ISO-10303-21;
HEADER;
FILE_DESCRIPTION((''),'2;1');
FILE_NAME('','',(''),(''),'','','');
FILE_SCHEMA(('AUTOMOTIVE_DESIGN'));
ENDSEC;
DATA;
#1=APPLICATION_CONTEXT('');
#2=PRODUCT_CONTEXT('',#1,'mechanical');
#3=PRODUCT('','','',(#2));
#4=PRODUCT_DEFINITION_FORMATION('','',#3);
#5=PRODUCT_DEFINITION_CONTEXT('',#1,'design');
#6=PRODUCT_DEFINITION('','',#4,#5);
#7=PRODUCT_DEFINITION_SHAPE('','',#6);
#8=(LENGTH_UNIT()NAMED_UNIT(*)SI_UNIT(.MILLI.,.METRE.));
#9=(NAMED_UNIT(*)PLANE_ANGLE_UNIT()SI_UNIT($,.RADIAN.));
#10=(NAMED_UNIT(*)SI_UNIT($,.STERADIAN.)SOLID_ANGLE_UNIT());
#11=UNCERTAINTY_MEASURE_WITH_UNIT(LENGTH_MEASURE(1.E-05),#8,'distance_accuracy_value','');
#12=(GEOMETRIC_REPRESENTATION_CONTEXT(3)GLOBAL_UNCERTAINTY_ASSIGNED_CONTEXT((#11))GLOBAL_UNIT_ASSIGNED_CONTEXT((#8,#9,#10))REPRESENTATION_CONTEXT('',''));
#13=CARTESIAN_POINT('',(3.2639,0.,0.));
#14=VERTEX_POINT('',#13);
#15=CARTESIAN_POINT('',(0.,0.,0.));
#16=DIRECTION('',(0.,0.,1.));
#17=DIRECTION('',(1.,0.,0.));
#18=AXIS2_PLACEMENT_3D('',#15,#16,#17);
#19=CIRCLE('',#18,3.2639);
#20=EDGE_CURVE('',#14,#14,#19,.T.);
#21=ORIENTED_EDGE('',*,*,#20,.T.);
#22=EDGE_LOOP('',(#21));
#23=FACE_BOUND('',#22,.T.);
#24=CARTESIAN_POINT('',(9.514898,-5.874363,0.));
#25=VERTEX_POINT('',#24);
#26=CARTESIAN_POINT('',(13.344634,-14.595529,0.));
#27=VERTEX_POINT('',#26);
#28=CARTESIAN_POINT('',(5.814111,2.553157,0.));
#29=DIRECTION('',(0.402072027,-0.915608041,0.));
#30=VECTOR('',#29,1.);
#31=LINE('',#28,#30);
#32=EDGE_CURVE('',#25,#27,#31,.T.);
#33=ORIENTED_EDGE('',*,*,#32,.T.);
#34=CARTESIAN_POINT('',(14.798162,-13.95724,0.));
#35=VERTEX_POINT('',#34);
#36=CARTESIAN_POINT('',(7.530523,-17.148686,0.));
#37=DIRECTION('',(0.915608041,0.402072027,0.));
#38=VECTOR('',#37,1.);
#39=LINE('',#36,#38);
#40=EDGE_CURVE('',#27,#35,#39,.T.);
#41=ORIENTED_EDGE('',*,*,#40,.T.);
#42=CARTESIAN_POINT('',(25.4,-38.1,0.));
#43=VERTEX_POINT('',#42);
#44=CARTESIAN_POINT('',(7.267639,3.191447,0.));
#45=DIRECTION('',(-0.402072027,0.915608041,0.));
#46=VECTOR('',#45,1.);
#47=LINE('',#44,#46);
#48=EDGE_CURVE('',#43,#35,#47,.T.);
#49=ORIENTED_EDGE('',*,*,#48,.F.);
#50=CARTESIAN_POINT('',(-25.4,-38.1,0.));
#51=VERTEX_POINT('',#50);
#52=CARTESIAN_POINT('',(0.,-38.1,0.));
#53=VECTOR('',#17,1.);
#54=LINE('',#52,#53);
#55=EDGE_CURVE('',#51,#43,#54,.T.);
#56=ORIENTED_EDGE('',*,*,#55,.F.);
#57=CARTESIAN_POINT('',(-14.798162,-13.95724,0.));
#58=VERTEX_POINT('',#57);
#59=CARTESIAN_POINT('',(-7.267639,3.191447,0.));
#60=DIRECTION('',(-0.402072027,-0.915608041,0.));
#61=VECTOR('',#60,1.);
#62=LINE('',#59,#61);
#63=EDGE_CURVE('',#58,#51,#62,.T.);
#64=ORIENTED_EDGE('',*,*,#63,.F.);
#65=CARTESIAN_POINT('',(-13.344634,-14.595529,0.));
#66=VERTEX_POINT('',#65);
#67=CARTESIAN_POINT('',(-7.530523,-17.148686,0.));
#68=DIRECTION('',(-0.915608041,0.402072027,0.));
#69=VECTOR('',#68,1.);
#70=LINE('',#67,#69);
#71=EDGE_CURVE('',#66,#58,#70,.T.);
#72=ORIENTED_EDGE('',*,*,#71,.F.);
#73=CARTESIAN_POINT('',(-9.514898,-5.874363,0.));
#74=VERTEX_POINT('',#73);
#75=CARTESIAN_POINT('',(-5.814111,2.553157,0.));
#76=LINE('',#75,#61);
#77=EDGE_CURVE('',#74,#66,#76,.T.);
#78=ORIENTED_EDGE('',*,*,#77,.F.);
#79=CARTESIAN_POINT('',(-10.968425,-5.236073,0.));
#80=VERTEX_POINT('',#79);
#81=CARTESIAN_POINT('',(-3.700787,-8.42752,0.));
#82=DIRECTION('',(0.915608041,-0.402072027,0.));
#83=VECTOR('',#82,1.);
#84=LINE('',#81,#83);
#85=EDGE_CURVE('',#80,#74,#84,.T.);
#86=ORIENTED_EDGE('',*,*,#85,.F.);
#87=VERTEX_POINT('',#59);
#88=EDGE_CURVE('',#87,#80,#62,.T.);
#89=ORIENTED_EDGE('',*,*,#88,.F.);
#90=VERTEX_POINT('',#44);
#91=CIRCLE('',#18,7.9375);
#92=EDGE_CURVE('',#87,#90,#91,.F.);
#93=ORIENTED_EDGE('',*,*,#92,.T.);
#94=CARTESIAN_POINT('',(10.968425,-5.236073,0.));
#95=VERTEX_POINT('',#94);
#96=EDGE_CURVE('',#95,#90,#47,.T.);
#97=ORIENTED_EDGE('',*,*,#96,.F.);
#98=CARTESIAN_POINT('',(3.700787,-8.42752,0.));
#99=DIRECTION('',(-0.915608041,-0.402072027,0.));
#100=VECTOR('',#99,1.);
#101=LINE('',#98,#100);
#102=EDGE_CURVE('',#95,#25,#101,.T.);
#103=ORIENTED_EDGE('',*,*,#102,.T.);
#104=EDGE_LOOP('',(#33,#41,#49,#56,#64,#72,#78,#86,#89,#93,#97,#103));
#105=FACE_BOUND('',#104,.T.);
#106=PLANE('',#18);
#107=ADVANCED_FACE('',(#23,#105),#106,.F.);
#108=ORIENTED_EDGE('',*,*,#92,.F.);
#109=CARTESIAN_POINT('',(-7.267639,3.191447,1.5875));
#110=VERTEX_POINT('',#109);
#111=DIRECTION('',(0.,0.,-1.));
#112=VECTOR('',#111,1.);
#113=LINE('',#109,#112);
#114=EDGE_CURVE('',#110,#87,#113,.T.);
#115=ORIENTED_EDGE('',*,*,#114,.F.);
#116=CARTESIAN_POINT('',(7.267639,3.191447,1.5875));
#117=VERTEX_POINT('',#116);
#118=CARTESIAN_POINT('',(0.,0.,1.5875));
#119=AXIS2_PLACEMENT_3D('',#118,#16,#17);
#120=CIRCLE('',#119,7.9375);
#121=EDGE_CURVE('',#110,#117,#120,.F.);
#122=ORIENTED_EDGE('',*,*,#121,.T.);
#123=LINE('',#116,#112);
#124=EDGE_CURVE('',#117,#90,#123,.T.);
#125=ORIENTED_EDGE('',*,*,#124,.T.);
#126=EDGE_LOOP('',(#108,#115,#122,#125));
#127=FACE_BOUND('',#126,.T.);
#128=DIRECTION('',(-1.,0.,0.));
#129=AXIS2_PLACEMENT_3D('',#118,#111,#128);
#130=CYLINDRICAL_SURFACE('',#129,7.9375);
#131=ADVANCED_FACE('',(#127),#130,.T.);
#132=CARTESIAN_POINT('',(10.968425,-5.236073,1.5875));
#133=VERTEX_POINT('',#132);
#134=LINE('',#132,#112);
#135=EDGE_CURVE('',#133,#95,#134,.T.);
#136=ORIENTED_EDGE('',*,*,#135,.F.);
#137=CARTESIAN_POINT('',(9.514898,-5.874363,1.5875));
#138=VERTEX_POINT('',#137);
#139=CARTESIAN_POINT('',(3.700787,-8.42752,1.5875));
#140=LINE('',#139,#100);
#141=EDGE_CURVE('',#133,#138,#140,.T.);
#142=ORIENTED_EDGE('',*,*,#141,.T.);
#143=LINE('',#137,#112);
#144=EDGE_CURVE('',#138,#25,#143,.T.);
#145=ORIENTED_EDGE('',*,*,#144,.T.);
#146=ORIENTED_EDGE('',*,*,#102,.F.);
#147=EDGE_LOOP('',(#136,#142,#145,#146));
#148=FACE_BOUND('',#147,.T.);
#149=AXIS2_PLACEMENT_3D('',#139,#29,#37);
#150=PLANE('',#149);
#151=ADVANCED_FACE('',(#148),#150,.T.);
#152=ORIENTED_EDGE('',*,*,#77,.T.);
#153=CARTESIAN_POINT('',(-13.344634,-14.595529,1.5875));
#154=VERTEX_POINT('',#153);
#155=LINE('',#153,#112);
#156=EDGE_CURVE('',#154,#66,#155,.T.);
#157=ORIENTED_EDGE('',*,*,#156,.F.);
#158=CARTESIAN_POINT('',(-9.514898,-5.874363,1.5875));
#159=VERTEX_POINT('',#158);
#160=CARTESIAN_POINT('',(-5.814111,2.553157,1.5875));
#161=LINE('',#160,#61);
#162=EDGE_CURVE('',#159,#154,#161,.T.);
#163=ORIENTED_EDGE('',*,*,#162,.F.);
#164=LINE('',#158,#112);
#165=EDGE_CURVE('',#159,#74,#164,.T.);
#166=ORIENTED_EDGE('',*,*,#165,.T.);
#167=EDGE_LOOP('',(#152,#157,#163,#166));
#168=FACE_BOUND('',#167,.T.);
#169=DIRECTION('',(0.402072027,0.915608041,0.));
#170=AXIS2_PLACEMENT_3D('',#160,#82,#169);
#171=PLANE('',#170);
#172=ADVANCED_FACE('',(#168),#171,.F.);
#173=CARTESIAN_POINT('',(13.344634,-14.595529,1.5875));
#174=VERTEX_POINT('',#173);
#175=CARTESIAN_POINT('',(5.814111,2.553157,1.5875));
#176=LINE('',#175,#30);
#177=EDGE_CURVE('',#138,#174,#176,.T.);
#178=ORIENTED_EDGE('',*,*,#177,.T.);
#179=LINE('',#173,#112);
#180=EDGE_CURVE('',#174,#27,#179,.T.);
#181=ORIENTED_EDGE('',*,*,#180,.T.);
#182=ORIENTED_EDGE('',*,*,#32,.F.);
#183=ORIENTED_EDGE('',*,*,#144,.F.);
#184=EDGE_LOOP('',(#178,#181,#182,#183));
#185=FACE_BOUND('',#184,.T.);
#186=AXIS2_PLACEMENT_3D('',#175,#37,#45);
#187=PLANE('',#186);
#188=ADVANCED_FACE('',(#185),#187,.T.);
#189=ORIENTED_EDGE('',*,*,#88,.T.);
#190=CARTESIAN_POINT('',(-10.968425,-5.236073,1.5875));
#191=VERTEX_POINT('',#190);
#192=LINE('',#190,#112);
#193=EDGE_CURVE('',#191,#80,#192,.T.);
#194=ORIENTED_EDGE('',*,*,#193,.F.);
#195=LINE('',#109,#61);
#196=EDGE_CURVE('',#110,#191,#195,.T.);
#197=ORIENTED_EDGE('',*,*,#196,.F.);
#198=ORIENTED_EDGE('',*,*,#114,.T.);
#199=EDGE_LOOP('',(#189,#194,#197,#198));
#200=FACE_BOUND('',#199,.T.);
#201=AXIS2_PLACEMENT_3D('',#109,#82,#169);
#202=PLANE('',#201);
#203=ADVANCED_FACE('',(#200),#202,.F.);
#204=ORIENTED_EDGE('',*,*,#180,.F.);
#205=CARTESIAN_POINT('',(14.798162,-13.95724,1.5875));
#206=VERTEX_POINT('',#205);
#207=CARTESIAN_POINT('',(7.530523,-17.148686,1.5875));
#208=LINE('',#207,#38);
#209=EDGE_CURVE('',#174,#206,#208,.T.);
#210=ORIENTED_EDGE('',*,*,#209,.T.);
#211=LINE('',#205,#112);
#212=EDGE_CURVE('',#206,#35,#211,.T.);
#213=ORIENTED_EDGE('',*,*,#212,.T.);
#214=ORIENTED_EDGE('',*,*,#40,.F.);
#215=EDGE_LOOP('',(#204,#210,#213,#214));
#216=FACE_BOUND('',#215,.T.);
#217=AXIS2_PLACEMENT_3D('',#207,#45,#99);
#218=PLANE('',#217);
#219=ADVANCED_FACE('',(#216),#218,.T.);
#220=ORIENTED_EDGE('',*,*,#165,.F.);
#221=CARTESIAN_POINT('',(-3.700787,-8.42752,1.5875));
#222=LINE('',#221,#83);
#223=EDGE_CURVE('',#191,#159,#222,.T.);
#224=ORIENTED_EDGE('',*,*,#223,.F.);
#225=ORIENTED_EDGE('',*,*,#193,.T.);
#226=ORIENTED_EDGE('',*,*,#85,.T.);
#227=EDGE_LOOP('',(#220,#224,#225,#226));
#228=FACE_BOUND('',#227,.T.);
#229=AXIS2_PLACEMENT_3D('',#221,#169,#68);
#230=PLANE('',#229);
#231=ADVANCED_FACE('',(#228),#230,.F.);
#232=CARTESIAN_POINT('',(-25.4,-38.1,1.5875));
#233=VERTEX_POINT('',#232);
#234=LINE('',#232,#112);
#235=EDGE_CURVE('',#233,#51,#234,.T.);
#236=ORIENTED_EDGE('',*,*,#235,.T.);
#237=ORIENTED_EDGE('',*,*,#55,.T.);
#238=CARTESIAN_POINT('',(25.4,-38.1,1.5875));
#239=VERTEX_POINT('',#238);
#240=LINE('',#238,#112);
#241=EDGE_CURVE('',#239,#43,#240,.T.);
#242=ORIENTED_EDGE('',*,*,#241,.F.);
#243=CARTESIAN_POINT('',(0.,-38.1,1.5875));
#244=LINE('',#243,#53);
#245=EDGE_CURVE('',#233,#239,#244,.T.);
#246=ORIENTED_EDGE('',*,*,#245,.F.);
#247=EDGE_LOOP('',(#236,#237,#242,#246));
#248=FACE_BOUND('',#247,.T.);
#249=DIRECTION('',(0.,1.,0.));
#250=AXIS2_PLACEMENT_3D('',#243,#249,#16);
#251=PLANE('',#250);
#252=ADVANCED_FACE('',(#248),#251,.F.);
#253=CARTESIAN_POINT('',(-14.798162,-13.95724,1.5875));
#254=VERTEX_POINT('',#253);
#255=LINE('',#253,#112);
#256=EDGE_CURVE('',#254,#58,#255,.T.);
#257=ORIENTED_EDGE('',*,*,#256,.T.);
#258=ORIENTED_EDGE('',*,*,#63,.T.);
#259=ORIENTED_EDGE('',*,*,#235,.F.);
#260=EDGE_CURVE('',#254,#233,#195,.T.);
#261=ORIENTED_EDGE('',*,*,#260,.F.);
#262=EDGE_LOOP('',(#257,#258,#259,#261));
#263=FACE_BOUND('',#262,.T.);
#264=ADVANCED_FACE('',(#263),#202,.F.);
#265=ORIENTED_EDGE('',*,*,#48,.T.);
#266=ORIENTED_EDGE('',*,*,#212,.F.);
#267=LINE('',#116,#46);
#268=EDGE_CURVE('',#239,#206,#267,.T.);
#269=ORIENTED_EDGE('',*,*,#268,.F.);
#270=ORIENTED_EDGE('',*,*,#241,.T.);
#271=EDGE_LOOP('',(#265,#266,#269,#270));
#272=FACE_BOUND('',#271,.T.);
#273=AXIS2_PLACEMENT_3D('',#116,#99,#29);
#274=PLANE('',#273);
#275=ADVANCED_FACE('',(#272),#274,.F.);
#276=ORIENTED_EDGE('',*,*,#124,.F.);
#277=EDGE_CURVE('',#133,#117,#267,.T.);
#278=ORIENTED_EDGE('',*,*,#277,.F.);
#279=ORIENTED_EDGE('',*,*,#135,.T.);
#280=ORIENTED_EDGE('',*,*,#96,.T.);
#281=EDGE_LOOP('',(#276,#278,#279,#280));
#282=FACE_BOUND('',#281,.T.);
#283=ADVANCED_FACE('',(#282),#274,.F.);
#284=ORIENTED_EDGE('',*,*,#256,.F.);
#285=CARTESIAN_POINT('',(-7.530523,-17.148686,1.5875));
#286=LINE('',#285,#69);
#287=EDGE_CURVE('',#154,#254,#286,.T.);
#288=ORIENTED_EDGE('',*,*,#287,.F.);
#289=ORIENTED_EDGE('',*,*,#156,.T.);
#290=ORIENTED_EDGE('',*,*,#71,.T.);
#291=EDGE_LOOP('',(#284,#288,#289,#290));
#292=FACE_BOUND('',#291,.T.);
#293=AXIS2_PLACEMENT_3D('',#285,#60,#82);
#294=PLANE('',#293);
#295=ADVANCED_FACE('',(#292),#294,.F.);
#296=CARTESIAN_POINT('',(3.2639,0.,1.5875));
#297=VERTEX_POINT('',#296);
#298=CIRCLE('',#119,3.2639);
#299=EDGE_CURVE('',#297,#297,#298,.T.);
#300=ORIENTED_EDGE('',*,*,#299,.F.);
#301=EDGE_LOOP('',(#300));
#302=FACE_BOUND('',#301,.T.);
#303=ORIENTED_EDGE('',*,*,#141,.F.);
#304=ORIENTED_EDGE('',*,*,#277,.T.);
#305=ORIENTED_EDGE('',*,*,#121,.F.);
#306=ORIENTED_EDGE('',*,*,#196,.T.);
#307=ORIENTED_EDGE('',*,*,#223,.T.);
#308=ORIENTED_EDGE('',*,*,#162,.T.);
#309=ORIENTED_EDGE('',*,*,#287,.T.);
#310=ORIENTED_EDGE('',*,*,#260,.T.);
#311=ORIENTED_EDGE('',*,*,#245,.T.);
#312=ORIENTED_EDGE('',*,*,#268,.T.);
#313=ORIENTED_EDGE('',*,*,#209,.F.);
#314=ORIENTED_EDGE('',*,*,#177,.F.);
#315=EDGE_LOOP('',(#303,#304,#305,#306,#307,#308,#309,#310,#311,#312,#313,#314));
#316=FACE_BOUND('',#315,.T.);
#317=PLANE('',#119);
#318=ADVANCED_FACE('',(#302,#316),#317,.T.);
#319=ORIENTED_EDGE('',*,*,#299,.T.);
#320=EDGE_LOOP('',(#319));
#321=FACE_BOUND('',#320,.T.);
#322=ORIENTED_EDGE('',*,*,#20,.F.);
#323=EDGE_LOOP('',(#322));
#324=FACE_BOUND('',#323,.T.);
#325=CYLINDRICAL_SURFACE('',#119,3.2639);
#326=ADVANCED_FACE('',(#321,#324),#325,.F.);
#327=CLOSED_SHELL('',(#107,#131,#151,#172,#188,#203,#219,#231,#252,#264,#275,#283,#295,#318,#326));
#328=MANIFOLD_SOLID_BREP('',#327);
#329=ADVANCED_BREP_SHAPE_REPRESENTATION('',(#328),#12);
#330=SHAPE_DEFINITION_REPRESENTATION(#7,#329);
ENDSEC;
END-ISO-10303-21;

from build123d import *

# Parameters (mm, degrees)
BOSS_EXTRUDE1_DEPTH     = 1.5875
F_1_4_CLEARANCE_HOLE1_D = 6.5278


with BuildPart() as part:
    # Sketch1 → Boss-Extrude1 (new body)
    with BuildSketch(Plane.XY):
        with BuildLine():
            ThreePointArc((7.267638826, 3.191446717), (0, 7.9375), (-7.267638826, 3.191446717))
            Line((-7.267638826, 3.191446717), (-10.968425472, -5.236073182))
            Line((-10.968425472, -5.236073182), (-9.514897707, -5.874362525))
            Line((-9.514897707, -5.874362525), (-13.344633767, -14.595529116))
            Line((-13.344633767, -14.595529116), (-14.798161533, -13.957239773))
            Line((-14.798161533, -13.957239773), (-25.4, -38.1))
            Line((-25.4, -38.1), (25.4, -38.1))
            Line((25.4, -38.1), (14.798161533, -13.957239773))
            Line((14.798161533, -13.957239773), (13.344633767, -14.595529116))
            Line((13.344633767, -14.595529116), (9.514897707, -5.874362525))
            Line((9.514897707, -5.874362525), (10.968425472, -5.236073182))
            Line((10.968425472, -5.236073182), (7.267638826, 3.191446717))
        make_face()
    extrude(amount=BOSS_EXTRUDE1_DEPTH)

    # 1/4 Clearance Hole1 (through all)
    with Locations(Plane.XY.offset(1.5875)):
        with Locations((0, 0)):
            Hole(F_1_4_CLEARANCE_HOLE1_D / 2)


solid = part.part
